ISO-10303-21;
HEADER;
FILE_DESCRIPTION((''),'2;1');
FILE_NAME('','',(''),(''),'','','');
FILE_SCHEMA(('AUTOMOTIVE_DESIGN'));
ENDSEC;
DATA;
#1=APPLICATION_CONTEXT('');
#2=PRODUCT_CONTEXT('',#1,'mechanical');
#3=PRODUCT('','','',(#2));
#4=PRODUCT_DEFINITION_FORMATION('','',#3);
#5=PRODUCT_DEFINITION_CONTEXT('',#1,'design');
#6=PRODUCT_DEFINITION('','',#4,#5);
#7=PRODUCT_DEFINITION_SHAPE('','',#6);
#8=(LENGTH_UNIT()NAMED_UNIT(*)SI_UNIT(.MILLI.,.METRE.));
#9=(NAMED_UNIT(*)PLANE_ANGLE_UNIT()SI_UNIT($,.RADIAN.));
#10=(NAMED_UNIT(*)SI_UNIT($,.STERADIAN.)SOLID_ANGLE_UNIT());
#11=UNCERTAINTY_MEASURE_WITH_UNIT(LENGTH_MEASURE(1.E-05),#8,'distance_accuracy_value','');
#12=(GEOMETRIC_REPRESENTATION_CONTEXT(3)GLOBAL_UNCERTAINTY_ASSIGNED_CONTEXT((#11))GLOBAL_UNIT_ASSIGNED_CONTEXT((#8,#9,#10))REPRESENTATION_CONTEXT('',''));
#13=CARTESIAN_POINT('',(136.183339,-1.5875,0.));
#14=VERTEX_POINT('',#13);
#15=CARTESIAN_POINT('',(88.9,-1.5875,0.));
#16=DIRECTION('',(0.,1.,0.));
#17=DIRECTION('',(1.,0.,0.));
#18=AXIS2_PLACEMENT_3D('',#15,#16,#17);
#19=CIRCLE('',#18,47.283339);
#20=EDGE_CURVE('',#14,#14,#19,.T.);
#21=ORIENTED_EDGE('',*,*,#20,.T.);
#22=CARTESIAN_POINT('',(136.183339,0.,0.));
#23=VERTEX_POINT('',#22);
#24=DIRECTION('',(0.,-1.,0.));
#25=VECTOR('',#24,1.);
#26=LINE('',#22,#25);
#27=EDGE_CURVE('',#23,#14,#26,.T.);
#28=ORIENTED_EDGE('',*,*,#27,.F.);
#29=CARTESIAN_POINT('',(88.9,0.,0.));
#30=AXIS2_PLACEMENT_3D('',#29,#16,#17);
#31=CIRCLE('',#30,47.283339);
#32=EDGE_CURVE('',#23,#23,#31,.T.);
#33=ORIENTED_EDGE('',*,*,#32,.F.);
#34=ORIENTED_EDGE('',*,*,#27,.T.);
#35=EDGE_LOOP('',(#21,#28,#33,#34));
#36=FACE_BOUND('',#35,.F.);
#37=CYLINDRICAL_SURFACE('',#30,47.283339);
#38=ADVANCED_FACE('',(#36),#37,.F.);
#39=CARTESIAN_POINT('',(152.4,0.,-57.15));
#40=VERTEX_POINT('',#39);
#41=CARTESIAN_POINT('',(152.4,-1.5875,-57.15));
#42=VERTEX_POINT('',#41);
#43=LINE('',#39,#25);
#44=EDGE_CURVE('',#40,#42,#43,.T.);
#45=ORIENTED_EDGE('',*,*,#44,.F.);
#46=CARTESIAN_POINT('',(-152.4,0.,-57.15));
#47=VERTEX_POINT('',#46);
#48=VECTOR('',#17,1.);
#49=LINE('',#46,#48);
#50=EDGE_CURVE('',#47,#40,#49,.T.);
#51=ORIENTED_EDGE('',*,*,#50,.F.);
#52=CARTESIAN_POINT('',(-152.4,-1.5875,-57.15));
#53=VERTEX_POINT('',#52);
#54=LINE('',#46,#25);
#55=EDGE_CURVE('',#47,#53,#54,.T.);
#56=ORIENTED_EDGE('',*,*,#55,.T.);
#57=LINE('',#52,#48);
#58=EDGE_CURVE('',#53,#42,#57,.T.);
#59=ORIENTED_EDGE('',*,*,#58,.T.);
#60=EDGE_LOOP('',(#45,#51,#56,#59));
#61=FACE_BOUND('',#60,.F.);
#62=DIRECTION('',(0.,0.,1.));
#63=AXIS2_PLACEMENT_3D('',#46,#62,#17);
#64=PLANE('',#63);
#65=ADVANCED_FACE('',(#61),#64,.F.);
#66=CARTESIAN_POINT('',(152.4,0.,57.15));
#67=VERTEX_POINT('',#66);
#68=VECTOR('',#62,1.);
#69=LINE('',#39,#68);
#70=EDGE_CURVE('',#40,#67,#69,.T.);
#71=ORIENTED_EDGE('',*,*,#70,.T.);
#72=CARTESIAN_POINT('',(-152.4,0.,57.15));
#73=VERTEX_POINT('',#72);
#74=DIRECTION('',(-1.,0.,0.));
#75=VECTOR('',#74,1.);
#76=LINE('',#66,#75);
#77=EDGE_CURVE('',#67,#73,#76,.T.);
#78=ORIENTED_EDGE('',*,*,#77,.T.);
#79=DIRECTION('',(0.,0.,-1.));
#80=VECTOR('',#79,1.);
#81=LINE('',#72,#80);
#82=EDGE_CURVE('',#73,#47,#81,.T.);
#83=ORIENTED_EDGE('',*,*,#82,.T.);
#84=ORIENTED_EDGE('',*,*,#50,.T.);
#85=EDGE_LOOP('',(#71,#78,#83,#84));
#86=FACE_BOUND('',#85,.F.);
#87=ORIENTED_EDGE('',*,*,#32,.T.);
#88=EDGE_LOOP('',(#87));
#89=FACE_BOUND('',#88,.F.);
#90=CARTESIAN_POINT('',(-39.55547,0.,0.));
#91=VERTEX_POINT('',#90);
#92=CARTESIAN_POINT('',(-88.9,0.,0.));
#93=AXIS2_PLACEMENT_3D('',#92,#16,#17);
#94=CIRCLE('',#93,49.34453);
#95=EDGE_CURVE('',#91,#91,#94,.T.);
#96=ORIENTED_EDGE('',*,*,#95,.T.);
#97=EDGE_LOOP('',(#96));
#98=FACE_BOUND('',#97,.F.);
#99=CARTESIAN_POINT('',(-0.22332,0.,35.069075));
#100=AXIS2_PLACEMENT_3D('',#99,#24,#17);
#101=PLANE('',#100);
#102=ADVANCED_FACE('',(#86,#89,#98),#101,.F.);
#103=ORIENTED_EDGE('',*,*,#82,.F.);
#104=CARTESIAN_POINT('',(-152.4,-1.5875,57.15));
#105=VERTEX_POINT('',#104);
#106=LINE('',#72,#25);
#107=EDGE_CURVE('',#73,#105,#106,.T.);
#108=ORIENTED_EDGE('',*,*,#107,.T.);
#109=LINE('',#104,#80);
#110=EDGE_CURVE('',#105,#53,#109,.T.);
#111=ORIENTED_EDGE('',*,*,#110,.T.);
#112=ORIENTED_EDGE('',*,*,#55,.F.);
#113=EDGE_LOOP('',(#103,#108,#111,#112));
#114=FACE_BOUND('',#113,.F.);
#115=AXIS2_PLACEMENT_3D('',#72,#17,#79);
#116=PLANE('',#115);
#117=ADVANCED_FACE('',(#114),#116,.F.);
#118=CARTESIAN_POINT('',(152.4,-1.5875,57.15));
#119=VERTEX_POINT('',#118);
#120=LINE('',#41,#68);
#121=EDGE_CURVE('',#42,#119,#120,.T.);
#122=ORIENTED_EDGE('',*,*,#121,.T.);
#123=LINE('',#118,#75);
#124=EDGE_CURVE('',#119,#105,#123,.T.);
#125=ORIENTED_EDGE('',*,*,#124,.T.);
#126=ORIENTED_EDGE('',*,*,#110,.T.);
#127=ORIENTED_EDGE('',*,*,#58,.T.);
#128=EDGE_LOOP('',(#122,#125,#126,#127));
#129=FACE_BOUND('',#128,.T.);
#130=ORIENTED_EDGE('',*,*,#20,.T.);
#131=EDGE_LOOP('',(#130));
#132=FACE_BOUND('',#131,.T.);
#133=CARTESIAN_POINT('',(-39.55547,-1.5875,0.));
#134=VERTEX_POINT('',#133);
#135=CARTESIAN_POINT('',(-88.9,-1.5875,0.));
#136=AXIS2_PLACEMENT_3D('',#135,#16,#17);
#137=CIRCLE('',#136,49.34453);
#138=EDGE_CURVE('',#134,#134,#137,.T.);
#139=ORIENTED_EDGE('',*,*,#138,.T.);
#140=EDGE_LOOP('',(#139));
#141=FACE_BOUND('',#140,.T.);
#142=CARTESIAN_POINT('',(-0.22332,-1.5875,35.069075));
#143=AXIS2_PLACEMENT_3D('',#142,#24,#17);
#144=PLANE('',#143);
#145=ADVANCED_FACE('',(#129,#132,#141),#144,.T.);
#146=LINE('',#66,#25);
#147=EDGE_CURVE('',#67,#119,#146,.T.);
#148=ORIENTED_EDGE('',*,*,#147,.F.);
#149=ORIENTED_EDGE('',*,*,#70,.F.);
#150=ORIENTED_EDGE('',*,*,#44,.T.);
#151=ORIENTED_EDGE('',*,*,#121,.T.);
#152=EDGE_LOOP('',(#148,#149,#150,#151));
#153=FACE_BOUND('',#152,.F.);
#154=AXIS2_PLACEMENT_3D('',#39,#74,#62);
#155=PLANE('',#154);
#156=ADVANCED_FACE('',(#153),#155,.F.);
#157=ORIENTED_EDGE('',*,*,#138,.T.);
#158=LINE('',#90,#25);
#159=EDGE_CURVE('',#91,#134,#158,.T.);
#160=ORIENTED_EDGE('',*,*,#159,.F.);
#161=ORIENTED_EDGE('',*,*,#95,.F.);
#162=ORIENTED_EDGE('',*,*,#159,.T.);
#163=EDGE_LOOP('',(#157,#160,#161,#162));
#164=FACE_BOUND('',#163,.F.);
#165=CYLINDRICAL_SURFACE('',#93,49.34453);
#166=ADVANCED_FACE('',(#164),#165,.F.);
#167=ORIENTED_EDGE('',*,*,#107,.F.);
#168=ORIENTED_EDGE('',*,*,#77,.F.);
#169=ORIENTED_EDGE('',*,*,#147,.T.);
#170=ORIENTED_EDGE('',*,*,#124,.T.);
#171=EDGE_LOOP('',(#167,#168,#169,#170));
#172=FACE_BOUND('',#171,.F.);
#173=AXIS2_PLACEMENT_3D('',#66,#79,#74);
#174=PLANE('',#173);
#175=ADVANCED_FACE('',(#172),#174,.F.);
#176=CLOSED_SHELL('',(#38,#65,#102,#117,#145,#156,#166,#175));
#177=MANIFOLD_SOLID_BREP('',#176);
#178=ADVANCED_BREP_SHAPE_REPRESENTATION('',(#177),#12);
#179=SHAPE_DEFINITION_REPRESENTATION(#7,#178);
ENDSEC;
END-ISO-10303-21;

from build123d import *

# Parameters (mm, degrees)
F1_DEPTH = 1.5875


with BuildPart() as f1:
    # F0 (on Front) → F1 (new body)
    with BuildSketch(Plane.XZ):
        with BuildLine():
            Line((152.4, 0), (152.4, 57.15))
            Line((152.4, 57.15), (-152.4, 57.15))
            Line((-152.4, 57.15), (-152.4, 0))
            Line((-152.4, 0), (-138.24453, 0))
            ThreePointArc((-138.24453, 0), (-88.9, 49.34453), (-39.55547, 0))
            Line((-39.55547, 0), (41.616661, 0))
            ThreePointArc((41.616661, 0), (88.9, 47.283339), (136.183339, 0))
            Line((136.183339, 0), (152.4, 0))
        make_face()
        with BuildLine():
            Line((152.4, -57.15), (152.4, 0))
            Line((152.4, 0), (136.183339, 0))
            ThreePointArc((136.183339, 0), (88.9, -47.283339), (41.616661, 0))
            Line((41.616661, 0), (-39.55547, 0))
            ThreePointArc((-39.55547, 0), (-88.9, -49.34453), (-138.24453, 0))
            Line((-138.24453, 0), (-152.4, 0))
            Line((-152.4, 0), (-152.4, -57.15))
            Line((-152.4, -57.15), (152.4, -57.15))
        make_face()
    extrude(amount=F1_DEPTH)


solid = f1.part
